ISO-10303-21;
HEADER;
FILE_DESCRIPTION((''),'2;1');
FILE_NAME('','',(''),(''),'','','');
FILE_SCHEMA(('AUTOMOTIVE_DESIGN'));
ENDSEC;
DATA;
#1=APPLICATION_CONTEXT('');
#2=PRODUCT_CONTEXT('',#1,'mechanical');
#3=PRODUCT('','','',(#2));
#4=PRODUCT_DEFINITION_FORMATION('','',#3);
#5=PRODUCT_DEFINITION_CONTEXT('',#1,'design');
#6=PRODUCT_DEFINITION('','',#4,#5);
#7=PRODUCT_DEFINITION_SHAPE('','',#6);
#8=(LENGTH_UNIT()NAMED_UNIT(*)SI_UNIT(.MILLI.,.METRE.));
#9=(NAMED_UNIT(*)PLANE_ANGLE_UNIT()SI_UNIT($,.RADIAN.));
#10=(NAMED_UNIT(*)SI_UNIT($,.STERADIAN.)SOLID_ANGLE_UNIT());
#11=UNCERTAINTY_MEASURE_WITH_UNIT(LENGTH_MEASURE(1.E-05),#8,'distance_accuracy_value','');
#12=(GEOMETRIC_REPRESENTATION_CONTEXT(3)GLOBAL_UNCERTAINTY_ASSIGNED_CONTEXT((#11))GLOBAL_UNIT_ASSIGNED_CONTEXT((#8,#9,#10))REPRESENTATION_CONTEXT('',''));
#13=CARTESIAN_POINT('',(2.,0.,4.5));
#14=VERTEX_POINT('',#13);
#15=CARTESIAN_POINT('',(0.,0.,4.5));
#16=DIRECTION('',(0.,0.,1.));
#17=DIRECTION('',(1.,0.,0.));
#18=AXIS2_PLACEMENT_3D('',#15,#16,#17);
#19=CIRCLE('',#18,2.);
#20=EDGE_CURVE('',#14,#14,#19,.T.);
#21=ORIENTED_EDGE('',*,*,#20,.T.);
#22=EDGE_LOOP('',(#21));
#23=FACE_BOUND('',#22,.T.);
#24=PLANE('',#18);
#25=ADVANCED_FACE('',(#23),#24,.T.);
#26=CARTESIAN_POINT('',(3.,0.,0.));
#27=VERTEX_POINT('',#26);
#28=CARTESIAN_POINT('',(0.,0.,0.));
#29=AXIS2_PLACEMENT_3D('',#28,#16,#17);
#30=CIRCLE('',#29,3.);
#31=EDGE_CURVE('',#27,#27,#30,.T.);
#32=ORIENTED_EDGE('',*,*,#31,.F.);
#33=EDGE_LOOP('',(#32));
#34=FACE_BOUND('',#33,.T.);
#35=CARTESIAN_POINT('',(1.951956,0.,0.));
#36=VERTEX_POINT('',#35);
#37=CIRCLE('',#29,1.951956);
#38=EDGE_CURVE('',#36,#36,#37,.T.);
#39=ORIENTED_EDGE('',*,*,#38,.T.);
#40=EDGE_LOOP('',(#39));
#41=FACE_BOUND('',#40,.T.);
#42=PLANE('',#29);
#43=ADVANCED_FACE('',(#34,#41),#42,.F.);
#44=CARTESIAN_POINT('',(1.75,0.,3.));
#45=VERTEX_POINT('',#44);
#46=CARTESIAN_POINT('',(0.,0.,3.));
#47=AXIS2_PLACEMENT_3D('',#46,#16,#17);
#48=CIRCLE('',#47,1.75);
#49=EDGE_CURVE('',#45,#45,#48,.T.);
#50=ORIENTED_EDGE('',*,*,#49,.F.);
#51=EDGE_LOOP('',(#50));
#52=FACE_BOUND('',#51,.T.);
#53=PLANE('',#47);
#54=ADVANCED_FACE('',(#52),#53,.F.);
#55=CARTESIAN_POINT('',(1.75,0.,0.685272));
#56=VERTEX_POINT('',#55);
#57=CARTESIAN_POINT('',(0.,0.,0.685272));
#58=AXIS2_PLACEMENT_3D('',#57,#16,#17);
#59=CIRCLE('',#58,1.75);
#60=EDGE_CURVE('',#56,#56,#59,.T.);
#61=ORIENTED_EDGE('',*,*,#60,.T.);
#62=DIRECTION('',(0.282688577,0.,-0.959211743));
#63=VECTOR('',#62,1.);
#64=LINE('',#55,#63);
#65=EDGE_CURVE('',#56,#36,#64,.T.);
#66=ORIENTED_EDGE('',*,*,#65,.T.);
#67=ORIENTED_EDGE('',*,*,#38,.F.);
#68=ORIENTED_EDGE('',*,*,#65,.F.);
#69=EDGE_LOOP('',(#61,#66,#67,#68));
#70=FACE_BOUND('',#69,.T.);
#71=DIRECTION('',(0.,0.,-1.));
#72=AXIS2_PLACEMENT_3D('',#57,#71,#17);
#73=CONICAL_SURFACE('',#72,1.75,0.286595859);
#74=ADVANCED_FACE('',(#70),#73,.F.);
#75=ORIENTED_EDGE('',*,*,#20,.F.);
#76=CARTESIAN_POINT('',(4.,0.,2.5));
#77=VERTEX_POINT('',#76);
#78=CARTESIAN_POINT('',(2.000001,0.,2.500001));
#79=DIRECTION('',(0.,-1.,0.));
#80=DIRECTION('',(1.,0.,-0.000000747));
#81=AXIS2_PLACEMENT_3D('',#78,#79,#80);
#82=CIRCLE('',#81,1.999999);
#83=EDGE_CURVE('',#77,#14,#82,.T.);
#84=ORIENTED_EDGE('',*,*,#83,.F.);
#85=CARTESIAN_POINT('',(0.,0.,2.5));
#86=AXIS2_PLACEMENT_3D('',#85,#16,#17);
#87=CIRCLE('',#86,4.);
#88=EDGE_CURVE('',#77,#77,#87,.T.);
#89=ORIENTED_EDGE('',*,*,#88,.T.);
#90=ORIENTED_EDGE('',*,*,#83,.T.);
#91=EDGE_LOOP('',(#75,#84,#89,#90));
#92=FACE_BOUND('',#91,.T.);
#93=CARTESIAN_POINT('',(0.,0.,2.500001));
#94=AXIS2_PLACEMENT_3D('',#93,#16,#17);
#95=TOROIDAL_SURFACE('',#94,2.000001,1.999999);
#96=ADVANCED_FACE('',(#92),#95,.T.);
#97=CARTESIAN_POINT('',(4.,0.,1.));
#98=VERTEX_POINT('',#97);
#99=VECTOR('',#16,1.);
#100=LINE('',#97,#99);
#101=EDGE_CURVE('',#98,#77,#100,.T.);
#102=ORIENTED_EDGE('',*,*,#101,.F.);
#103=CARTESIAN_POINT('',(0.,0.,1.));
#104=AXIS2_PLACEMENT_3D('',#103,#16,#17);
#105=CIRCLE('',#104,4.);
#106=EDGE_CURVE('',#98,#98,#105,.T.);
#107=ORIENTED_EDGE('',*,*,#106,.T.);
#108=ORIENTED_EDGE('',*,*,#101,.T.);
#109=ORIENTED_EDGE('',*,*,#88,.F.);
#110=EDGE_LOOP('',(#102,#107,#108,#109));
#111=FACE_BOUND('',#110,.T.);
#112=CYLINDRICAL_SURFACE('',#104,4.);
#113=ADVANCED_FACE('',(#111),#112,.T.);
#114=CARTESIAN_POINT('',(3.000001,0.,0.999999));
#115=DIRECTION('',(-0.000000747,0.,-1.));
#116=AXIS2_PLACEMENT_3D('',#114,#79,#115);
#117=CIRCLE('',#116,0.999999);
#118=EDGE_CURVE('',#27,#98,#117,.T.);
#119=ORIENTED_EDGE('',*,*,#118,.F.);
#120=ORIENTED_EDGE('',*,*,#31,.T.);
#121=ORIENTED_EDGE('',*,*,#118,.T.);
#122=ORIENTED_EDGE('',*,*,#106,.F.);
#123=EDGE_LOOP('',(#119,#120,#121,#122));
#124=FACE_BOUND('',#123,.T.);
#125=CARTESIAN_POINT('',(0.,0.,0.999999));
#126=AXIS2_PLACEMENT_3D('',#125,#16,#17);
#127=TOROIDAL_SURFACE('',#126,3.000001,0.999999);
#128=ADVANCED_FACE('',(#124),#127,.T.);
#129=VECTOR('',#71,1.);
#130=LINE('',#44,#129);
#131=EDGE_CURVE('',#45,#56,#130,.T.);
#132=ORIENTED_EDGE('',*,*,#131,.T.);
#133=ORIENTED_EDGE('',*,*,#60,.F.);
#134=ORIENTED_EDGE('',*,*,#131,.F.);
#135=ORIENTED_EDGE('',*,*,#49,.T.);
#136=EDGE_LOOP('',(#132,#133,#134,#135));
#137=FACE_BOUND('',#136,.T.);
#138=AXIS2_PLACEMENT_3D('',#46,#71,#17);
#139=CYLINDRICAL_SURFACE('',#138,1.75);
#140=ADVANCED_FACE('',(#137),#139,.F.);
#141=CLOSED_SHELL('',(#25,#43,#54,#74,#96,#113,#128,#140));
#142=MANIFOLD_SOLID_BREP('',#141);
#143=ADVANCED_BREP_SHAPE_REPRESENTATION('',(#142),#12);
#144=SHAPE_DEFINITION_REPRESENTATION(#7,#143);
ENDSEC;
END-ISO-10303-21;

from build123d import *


with BuildPart() as f1:
    # F0 (on Front) → F1 (revolve)
    with BuildSketch(Plane.XZ):
        with BuildLine():
            ThreePointArc((3, 0), (3.707107, 0.292893), (4, 1))
            Line((4, 1), (4, 2.5))
            ThreePointArc((4, 2.5), (3.414214, 3.914214), (2, 4.5))
            Line((2, 4.5), (0, 4.5))
            Line((0, 4.5), (0, 3))
            Line((0, 3), (1.75, 3))
            Line((1.75, 3), (1.75, 0.685272))
            Line((1.75, 0.685272), (1.951956, 0))
            Line((1.951956, 0), (3, 0))
        make_face()
    revolve(axis=Axis((0, 0, 144.955611), (0, 0, 1)))


solid = f1.part
